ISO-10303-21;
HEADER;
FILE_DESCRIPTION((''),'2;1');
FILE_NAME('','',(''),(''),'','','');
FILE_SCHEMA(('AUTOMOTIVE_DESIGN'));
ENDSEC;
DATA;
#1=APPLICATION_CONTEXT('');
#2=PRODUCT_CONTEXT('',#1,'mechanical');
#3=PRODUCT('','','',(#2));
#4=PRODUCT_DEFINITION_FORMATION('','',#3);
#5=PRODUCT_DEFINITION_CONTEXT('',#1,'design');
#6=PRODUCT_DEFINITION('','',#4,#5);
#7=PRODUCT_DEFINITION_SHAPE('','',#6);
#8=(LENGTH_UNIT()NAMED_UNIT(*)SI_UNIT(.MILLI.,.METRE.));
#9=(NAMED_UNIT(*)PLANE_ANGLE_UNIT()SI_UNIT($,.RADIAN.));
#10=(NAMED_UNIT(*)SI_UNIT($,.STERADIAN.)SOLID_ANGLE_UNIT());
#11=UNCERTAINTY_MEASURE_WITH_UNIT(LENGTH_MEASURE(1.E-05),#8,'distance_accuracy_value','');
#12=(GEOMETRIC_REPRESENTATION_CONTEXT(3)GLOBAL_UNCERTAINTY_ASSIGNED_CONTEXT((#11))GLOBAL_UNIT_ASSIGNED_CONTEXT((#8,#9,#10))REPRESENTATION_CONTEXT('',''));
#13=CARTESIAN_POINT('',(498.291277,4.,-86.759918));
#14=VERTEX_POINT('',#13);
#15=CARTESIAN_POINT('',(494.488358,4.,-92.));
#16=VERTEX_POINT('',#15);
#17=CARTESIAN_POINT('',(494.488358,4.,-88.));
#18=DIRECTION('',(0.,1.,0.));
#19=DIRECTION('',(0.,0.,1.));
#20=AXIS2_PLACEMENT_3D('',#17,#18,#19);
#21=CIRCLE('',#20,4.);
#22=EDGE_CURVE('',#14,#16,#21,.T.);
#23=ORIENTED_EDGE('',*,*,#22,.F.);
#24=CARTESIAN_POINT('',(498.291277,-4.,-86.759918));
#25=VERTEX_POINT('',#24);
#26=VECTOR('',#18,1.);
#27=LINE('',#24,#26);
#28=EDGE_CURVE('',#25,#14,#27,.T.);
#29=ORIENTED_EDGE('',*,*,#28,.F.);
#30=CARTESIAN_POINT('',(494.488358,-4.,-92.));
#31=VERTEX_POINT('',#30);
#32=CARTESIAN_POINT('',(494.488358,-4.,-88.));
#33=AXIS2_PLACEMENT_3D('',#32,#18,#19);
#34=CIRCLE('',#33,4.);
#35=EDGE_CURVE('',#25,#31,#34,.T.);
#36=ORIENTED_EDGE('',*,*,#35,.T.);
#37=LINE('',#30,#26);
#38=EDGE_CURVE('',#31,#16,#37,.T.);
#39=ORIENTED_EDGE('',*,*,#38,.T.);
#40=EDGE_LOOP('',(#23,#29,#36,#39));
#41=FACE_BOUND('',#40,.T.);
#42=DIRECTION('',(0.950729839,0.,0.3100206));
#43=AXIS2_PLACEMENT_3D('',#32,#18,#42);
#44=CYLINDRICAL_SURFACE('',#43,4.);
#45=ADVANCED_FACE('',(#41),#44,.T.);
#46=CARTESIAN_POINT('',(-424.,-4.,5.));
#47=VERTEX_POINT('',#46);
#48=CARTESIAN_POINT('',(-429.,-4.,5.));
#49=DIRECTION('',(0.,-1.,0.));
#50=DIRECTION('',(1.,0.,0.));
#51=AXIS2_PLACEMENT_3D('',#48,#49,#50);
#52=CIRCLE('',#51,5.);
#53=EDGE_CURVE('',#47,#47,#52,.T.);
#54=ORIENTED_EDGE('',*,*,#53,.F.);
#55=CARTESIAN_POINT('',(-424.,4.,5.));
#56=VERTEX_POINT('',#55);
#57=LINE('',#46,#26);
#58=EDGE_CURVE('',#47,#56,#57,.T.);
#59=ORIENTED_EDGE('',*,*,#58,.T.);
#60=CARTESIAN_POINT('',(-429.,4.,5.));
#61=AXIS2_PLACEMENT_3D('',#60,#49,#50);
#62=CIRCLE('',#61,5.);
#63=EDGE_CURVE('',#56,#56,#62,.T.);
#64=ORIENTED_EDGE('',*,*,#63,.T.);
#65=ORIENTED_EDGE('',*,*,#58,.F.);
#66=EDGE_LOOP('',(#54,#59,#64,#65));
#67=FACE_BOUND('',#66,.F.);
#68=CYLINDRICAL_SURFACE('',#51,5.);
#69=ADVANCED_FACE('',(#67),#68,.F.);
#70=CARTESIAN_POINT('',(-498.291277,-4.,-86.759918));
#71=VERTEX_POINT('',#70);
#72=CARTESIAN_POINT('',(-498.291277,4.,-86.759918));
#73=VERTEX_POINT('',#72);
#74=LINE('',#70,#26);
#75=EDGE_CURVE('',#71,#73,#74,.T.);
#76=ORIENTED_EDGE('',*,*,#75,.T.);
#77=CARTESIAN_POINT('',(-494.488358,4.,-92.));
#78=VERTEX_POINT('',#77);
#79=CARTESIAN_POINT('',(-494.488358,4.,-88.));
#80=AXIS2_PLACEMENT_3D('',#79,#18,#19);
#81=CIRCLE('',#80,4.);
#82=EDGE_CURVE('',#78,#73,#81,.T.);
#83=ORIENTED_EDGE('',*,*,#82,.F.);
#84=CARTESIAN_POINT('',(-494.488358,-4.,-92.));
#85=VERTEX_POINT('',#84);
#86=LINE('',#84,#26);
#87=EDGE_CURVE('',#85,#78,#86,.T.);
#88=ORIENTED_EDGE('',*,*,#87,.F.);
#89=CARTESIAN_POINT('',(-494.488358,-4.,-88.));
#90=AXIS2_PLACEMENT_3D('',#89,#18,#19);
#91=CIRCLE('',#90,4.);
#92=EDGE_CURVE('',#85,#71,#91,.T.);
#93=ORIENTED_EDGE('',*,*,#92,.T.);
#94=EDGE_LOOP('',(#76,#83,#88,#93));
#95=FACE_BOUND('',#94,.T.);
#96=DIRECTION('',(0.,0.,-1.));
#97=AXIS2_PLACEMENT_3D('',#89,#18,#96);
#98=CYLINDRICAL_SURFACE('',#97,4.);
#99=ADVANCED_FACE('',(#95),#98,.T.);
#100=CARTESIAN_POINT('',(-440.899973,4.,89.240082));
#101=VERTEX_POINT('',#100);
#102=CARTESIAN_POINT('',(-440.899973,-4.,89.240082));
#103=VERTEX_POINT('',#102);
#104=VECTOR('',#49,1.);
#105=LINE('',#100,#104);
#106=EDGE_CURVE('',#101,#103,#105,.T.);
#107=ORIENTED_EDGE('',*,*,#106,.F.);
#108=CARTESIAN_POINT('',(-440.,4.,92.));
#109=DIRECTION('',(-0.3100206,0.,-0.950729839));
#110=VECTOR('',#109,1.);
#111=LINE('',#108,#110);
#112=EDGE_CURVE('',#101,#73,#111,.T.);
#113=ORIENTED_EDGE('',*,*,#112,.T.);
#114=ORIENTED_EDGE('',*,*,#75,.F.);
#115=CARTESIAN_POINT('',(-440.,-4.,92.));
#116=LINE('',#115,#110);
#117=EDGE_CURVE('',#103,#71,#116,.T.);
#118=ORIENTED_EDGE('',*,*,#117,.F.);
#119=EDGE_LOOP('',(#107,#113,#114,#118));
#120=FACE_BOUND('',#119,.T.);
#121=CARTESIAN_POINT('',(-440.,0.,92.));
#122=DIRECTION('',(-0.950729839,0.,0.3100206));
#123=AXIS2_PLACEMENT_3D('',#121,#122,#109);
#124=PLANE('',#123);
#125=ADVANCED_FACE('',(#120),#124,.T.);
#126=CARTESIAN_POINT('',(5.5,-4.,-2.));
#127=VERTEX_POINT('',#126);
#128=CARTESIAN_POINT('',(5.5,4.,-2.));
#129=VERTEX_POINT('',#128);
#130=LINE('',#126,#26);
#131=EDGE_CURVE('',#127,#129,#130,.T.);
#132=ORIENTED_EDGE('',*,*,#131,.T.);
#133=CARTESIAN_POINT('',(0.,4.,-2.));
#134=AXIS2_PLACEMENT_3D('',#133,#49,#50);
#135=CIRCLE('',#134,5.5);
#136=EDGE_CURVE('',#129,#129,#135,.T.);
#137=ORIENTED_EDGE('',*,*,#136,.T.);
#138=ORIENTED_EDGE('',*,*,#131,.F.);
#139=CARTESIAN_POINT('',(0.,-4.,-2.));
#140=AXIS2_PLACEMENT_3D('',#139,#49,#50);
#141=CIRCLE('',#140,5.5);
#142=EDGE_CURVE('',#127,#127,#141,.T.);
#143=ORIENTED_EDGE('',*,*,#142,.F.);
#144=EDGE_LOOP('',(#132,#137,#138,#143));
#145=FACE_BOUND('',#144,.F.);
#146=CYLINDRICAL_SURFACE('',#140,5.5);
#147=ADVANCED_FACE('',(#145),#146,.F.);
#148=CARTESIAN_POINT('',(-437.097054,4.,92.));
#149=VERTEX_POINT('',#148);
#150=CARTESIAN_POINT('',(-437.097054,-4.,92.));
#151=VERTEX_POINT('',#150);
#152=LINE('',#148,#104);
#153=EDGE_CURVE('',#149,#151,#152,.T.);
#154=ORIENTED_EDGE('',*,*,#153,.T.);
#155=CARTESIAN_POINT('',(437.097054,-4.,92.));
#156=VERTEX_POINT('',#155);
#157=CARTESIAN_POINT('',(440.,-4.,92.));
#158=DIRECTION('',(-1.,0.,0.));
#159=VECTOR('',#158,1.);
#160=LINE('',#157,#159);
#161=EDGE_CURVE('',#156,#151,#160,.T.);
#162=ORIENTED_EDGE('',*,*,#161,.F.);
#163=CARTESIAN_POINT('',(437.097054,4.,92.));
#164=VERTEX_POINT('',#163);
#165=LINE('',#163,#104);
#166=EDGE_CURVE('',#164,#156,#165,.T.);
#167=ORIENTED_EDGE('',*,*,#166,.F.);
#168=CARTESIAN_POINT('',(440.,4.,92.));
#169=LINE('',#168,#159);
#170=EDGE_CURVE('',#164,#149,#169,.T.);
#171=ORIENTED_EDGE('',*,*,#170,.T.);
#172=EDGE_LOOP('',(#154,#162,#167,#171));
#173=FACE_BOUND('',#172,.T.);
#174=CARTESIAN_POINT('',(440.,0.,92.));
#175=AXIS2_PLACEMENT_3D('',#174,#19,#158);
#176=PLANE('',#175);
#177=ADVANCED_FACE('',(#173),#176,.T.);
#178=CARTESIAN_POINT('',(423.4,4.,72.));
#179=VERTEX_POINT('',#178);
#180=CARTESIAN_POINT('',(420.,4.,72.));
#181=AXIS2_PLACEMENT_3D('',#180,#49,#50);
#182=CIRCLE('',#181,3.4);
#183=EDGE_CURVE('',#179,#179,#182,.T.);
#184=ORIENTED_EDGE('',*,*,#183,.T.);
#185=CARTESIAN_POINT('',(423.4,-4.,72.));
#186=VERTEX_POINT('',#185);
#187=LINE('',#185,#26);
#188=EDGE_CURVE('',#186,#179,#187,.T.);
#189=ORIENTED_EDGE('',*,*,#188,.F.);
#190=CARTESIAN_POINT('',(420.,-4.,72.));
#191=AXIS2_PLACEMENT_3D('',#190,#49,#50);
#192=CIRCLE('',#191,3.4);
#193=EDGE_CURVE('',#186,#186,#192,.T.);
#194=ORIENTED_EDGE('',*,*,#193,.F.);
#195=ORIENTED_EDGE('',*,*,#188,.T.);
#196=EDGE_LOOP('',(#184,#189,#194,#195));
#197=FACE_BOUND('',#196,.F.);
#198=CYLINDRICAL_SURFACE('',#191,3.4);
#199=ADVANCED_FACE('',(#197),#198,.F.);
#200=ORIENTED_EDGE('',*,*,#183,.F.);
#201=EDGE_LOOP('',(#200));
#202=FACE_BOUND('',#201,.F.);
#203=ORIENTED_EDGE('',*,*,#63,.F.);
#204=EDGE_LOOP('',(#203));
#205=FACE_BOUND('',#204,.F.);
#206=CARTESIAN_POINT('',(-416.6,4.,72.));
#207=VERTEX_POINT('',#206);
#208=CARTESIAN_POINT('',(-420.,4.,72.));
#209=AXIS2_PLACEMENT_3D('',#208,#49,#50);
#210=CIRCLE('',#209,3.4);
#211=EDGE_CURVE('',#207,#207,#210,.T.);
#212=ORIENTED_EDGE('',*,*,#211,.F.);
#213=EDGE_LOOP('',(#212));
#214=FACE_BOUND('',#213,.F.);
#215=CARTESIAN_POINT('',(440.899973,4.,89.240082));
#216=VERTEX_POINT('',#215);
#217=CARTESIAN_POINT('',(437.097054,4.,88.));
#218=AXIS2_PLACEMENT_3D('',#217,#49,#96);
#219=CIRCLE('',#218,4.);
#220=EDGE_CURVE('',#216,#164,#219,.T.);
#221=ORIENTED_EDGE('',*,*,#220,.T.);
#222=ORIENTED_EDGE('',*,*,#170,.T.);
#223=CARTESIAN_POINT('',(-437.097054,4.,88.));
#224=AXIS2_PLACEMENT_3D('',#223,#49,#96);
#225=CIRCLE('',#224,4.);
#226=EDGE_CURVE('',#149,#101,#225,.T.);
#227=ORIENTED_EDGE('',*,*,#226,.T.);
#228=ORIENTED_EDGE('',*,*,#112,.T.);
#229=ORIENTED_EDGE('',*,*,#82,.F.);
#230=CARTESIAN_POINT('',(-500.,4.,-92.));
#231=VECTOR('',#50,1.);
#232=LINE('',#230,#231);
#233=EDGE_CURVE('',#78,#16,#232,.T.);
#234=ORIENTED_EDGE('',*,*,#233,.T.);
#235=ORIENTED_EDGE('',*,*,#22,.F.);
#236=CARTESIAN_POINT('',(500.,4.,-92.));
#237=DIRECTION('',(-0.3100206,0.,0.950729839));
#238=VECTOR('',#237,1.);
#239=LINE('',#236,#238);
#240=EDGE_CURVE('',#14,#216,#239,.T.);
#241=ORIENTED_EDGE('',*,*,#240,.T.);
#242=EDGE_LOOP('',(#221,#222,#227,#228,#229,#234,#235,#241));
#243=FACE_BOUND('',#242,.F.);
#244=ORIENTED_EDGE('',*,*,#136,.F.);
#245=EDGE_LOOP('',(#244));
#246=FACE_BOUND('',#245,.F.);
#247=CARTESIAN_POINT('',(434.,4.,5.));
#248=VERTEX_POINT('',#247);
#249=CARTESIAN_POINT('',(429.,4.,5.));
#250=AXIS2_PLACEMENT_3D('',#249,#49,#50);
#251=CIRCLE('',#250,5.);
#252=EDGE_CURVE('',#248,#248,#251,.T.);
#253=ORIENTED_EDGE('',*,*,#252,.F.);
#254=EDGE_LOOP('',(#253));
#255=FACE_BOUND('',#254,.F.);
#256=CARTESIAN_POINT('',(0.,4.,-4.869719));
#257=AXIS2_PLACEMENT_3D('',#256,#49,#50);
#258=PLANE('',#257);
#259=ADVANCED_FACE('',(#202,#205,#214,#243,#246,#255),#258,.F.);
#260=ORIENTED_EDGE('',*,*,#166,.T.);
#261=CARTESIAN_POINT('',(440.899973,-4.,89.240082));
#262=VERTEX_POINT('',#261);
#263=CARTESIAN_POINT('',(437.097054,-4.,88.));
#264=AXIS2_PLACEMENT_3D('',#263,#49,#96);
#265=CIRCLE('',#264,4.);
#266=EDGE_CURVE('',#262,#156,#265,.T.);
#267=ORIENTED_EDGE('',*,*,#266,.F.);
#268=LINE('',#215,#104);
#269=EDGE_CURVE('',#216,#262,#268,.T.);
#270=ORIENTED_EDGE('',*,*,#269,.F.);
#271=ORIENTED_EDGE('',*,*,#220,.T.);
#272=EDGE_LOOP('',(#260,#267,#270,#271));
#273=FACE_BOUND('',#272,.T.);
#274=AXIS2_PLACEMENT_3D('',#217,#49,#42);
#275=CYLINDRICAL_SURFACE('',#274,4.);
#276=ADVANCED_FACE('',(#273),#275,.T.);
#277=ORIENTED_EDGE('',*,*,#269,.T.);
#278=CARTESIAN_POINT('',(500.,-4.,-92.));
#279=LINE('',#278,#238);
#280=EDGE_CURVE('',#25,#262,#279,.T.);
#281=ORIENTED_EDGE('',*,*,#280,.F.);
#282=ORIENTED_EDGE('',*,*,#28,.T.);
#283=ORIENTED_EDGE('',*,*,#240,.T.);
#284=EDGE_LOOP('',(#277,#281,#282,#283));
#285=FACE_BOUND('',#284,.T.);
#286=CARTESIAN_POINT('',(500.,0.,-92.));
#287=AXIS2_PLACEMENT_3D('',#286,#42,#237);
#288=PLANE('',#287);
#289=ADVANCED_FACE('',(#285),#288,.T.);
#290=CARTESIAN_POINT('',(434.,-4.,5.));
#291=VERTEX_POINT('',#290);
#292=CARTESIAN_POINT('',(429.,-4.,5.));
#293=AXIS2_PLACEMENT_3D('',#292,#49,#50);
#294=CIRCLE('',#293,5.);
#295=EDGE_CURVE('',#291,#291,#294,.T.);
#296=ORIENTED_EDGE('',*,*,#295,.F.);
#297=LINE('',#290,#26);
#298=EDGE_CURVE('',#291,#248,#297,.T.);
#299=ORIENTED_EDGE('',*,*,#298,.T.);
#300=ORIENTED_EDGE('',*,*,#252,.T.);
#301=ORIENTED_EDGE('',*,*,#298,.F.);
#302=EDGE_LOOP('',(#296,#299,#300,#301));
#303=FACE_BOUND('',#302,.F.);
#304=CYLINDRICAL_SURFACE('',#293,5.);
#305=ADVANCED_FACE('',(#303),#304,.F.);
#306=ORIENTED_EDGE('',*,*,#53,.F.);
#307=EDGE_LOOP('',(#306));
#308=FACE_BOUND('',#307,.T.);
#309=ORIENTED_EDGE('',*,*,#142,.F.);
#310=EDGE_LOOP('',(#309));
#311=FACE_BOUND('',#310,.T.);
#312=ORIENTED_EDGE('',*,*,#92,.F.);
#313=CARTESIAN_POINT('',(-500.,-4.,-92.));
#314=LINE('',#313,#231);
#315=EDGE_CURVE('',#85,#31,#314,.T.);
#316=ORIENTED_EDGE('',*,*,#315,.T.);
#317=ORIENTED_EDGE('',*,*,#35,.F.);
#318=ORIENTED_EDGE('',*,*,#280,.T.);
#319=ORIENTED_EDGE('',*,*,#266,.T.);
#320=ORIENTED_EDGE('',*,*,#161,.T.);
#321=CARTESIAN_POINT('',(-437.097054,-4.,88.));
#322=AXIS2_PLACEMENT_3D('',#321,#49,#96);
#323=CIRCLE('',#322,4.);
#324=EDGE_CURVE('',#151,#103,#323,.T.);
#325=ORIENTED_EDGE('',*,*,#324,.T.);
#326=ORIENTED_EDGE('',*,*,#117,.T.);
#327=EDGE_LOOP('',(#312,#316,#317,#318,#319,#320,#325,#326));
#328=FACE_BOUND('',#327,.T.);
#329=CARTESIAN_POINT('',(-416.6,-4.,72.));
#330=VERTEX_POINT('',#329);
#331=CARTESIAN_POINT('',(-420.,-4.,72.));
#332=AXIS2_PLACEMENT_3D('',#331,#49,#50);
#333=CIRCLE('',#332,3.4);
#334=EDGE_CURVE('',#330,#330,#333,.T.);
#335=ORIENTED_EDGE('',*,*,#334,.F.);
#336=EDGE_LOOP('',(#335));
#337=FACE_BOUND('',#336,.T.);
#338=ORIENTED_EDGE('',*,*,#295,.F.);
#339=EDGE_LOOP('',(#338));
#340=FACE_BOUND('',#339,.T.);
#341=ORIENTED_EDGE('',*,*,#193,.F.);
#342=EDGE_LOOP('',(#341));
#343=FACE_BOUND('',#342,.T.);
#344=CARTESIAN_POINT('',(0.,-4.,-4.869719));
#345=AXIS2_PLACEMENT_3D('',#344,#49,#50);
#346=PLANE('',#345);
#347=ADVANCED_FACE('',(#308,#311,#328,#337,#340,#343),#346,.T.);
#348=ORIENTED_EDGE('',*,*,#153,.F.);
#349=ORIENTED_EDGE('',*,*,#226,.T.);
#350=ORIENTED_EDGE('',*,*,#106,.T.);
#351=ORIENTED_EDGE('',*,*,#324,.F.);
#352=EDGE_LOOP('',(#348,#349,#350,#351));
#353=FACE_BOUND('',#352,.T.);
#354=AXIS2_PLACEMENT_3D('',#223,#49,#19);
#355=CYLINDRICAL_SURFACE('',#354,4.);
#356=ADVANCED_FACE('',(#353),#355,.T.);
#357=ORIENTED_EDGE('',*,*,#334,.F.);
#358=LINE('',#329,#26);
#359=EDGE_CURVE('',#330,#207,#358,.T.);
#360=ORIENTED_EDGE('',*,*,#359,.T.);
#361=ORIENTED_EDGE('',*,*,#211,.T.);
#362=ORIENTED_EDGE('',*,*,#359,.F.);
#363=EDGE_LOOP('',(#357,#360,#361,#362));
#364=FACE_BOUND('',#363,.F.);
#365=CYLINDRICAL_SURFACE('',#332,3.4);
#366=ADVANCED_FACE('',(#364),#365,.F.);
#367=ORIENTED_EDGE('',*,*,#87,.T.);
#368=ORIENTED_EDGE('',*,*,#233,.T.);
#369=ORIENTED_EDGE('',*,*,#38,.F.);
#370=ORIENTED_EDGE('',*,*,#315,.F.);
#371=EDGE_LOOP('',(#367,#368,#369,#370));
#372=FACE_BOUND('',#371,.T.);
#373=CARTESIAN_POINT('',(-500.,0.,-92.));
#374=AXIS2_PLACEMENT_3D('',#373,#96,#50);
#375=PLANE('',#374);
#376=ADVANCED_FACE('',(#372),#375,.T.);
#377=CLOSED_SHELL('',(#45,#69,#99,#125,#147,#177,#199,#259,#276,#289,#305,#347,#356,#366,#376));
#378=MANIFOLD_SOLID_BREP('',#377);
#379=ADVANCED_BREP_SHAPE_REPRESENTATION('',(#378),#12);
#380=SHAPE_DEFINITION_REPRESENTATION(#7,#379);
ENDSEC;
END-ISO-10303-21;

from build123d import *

# Parameters (mm, degrees)
F1_DEPTH = 4
F2_R     = 5
F2_R_2   = 3.4
F2_R_3   = 5.5
F3_DEPTH = 8
F4_R     = 4


with BuildPart() as f1:
    # F0 (on Front) → F1 (new body, symmetric)
    with BuildSketch(Plane.XZ):
        Polygon((500, -92), (440, 92), (-440, 92), (-500, -92), (-440, -92), (440, -92), align=None)
    extrude(amount=F1_DEPTH, both=True)

    # F2 (on face) → F3 (cut)
    with BuildSketch(Plane.XZ.offset(4)):
        with Locations((429, 5)):
            Circle(F2_R)
        with Locations((420, 72)):
            Circle(F2_R_2)
        with Locations((-420, 72)):
            Circle(F2_R_2)
        with Locations((-429, 5)):
            Circle(F2_R)
        with Locations((0, -2)):
            Circle(F2_R_3)
    extrude(amount=-F3_DEPTH, mode=Mode.SUBTRACT)

    # F4
    f4_edges = [f1.edges().sort_by_distance(p)[0] for p in [
        (500, 0, -92),
        (-500, 0, -92),
        (440, 0, 92),
        (-440, 0, 92),
    ]]
    fillet(f4_edges, radius=F4_R)


solid = f1.part
